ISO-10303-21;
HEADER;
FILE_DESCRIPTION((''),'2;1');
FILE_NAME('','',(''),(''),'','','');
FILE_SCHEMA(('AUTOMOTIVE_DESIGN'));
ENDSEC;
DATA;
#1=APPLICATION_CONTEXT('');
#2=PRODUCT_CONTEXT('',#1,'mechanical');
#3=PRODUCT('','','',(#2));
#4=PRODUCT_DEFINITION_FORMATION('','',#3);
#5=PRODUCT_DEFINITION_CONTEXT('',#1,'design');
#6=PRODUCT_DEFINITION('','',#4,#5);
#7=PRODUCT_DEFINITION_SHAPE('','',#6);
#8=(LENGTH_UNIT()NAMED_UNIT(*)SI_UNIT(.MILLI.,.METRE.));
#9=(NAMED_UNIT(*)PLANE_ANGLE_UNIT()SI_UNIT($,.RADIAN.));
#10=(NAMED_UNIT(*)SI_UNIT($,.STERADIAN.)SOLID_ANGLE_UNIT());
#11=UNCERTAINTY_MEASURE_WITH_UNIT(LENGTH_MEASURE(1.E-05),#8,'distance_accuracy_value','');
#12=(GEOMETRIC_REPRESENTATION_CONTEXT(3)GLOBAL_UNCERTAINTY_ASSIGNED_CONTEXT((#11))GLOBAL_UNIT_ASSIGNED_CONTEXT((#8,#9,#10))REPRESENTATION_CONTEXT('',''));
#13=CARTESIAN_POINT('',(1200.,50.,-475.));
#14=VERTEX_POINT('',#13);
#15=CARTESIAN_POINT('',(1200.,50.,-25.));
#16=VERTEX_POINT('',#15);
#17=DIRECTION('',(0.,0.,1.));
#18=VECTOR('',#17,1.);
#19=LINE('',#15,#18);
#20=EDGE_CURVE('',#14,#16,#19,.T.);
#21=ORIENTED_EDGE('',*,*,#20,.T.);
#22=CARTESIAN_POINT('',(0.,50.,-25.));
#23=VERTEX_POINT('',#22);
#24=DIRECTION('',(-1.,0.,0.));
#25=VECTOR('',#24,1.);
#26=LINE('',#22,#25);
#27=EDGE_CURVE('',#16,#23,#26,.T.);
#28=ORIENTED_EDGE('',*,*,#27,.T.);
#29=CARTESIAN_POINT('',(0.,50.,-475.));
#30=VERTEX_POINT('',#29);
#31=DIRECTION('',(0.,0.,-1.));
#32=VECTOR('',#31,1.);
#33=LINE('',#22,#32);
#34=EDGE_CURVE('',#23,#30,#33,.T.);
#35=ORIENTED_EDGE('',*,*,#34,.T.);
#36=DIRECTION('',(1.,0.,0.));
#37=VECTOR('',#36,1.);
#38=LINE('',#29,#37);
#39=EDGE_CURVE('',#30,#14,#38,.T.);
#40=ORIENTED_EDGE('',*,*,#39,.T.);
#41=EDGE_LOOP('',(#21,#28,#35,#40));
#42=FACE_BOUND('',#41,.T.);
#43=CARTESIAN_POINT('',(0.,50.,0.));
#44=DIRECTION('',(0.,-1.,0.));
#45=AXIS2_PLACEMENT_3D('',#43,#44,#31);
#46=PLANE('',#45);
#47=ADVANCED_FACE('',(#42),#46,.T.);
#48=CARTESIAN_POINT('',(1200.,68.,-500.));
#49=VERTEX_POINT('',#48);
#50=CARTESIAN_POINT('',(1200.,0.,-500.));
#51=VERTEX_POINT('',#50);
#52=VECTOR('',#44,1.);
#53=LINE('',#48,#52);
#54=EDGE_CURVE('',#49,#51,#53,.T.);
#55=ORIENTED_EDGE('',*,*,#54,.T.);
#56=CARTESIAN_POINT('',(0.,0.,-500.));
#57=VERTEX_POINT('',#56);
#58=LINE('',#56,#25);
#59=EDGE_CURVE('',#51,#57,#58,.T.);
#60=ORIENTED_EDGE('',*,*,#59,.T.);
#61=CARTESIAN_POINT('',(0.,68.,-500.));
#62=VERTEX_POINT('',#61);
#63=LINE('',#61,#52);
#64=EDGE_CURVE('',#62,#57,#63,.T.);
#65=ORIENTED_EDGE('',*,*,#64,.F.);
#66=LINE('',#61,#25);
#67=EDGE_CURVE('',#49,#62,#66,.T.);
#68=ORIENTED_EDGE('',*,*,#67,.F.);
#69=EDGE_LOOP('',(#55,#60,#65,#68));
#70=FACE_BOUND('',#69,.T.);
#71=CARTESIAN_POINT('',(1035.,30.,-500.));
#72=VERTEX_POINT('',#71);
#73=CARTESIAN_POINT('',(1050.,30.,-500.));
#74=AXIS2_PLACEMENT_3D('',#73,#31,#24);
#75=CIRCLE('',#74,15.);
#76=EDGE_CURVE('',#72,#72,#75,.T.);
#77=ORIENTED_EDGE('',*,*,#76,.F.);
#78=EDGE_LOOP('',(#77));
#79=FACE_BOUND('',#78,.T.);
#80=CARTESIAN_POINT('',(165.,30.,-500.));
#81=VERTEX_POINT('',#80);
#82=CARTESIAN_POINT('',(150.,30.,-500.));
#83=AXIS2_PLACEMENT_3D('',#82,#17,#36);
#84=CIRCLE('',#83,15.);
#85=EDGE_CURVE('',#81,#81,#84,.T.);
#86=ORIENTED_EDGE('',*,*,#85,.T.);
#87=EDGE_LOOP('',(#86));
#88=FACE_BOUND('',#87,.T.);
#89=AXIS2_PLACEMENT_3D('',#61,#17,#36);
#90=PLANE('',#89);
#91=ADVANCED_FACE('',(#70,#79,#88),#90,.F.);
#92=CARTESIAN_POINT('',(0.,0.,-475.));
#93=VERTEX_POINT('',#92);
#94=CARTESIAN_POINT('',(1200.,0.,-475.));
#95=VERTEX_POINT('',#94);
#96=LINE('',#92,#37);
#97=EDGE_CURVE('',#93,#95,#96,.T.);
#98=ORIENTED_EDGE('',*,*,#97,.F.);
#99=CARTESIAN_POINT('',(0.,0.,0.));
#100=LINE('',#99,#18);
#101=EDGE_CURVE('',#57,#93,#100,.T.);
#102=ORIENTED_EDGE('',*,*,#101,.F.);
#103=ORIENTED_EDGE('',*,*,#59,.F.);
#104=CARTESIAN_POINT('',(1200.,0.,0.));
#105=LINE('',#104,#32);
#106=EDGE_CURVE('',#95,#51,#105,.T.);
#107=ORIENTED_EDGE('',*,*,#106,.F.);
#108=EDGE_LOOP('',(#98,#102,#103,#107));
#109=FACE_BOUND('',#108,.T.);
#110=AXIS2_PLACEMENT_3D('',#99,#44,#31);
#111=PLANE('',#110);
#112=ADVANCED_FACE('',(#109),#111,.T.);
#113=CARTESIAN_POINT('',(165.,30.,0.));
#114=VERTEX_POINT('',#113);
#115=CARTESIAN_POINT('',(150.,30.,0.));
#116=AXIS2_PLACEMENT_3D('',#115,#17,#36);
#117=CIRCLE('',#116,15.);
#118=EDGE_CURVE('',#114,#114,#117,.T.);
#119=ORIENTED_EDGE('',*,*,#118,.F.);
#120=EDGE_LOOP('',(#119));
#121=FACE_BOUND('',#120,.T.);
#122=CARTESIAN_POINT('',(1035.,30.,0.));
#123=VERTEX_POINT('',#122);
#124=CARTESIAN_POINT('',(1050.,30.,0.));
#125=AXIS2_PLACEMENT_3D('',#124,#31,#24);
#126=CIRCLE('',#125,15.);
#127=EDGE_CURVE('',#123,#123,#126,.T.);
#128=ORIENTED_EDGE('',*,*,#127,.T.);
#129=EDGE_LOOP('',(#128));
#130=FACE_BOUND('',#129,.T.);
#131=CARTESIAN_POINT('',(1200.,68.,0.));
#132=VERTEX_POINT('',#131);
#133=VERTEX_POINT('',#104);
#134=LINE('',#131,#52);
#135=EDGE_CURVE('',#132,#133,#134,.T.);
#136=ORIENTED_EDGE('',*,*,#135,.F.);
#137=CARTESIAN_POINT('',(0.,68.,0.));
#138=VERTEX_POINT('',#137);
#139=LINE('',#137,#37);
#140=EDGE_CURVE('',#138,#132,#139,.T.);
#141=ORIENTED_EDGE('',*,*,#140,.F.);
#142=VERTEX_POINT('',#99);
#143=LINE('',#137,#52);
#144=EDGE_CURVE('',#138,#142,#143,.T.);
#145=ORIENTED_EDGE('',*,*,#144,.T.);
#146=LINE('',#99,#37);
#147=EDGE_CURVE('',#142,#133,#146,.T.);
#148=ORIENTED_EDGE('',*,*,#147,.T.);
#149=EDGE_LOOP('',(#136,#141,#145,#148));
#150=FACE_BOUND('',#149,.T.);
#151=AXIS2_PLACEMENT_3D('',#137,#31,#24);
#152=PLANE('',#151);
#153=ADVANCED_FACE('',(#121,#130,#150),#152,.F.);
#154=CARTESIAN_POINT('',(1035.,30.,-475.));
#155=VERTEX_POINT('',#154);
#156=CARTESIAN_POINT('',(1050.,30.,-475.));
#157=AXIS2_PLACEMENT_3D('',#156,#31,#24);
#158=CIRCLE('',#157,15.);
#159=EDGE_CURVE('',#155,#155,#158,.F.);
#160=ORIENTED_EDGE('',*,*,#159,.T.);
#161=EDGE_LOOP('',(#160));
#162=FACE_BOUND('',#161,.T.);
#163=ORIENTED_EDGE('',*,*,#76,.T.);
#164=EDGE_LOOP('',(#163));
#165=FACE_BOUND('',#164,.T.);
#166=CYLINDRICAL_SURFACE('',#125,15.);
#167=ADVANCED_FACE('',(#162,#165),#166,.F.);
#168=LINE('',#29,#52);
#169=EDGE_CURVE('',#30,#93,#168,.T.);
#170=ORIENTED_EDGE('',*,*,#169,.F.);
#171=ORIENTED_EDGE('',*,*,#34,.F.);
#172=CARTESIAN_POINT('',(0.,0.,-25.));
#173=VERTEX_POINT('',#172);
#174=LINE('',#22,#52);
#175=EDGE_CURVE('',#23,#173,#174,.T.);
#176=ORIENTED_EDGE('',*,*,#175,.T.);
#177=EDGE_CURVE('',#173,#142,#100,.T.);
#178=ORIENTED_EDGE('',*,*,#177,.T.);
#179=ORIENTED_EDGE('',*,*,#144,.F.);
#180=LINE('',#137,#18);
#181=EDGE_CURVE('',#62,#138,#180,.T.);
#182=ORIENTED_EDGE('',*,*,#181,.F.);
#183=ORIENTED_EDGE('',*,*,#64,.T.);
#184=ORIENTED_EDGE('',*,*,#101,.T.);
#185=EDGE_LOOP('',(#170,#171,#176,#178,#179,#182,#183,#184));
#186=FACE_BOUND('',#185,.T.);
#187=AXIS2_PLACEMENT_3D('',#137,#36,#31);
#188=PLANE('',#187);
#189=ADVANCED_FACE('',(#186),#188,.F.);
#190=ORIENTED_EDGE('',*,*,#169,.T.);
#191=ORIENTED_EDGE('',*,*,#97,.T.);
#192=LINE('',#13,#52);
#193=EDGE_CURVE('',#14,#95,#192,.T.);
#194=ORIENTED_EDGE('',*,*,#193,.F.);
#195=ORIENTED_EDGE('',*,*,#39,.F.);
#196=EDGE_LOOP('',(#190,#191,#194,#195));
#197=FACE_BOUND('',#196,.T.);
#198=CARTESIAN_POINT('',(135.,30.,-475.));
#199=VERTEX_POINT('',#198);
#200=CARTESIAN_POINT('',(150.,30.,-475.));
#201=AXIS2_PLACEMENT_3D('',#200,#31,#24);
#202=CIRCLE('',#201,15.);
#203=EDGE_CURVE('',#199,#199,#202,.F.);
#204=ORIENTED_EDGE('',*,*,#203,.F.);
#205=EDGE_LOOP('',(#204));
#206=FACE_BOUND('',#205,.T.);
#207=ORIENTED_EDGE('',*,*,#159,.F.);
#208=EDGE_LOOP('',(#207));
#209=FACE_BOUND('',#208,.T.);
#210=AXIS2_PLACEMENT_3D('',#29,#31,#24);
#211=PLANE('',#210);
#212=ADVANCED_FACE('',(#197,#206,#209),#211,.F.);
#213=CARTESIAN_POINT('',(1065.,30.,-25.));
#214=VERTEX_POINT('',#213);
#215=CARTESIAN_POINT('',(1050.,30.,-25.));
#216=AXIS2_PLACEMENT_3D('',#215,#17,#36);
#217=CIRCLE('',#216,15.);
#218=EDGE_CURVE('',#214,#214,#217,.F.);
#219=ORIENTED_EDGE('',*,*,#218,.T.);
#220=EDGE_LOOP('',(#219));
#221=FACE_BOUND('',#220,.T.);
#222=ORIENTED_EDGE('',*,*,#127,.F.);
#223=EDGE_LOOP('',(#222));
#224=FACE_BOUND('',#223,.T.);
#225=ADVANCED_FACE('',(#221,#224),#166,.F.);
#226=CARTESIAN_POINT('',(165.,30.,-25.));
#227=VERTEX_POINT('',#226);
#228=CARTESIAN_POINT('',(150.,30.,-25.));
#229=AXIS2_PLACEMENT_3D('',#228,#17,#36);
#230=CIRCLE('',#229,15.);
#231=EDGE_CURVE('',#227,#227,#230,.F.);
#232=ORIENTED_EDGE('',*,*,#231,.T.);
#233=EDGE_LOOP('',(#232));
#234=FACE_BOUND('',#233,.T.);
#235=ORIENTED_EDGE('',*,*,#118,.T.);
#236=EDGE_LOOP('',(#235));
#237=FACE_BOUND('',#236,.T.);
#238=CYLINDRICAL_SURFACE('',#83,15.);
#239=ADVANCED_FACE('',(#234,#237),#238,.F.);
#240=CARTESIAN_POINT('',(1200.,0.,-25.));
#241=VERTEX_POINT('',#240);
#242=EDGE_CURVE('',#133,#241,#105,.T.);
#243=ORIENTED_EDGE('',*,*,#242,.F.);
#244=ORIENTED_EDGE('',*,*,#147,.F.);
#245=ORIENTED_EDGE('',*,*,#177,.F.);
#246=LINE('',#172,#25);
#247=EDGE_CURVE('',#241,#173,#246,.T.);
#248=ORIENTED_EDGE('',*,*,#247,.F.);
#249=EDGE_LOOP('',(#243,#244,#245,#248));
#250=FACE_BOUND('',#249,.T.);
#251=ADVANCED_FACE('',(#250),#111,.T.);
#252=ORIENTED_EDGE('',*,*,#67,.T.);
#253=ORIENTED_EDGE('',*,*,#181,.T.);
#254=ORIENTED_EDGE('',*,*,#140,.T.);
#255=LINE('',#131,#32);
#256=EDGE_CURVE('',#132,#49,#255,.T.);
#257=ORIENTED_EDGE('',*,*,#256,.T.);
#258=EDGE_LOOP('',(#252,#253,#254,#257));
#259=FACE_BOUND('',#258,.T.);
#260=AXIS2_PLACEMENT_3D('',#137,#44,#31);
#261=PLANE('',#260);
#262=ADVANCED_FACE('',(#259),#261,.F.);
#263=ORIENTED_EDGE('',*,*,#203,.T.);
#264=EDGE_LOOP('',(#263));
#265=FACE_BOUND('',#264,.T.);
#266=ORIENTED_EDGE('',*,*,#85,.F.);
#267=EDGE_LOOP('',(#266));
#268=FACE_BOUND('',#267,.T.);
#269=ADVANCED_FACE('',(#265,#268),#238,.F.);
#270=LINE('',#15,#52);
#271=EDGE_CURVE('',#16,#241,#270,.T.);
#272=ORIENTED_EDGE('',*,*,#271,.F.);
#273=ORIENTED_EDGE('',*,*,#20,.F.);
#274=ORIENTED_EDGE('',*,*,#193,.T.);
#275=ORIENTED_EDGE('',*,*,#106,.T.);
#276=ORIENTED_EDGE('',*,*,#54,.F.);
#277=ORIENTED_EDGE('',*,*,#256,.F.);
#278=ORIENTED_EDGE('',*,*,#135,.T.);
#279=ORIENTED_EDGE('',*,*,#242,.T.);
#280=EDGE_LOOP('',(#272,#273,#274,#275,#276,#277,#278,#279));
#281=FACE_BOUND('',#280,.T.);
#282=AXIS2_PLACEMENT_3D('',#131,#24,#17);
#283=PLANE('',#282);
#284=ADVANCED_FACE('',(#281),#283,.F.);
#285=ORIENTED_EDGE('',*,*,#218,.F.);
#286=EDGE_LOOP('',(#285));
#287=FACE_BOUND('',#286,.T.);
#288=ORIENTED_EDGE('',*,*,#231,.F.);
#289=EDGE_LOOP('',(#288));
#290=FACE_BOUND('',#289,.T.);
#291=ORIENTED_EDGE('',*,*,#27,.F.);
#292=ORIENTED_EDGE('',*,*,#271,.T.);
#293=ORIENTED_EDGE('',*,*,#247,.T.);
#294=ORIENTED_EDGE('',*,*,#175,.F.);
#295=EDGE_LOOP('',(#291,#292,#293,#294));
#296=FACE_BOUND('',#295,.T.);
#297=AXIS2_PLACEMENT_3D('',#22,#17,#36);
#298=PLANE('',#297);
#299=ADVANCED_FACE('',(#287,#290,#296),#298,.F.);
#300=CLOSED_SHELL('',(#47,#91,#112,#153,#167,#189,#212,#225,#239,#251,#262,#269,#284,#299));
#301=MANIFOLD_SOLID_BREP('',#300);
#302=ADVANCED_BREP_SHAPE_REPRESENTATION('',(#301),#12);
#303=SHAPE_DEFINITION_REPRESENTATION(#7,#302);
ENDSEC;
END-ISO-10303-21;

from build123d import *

# Parameters (mm, degrees)
SKETCH1_W           = 1200
SKETCH1_H           = 500
BOSS_EXTRUDE1_DEPTH = 68
SKETCH3_R           = 15
CUT_EXTRUDE2_DEPTH  = 1302.77724669
SKETCH4_R           = 15
CUT_EXTRUDE3_DEPTH  = 1302.77724669
SKETCH2_W           = 1200
SKETCH2_H           = 450
CUT_EXTRUDE1_DEPTH  = 50


with BuildPart() as part:
    # Sketch1 → Boss-Extrude1 (new body)
    with BuildSketch(Plane(origin=(0, 0, 0), x_dir=(1, 0, 0), z_dir=(0, 1, 0))):
        with Locations((600, 250)):
            Rectangle(SKETCH1_W, SKETCH1_H)
    extrude(amount=BOSS_EXTRUDE1_DEPTH)

    # Sketch3 → Cut-Extrude2 (cut, through all)
    with BuildSketch(Plane.XY):
        with Locations((150, 30)):
            Circle(SKETCH3_R)
    extrude(amount=-CUT_EXTRUDE2_DEPTH, mode=Mode.SUBTRACT)

    # Sketch4 → Cut-Extrude3 (cut, through all)
    with BuildSketch(Plane(origin=(0, 0, -500), x_dir=(-1, 0, 0), z_dir=(0, 0, -1))):
        with Locations((-1050, 30)):
            Circle(SKETCH4_R)
    extrude(amount=-CUT_EXTRUDE3_DEPTH, mode=Mode.SUBTRACT)

    # Sketch2 → Cut-Extrude1 (cut)
    with BuildSketch(Plane.XZ):
        with Locations((600, -250)):
            Rectangle(SKETCH2_W, SKETCH2_H)
    extrude(amount=-CUT_EXTRUDE1_DEPTH, mode=Mode.SUBTRACT)


solid = part.part
